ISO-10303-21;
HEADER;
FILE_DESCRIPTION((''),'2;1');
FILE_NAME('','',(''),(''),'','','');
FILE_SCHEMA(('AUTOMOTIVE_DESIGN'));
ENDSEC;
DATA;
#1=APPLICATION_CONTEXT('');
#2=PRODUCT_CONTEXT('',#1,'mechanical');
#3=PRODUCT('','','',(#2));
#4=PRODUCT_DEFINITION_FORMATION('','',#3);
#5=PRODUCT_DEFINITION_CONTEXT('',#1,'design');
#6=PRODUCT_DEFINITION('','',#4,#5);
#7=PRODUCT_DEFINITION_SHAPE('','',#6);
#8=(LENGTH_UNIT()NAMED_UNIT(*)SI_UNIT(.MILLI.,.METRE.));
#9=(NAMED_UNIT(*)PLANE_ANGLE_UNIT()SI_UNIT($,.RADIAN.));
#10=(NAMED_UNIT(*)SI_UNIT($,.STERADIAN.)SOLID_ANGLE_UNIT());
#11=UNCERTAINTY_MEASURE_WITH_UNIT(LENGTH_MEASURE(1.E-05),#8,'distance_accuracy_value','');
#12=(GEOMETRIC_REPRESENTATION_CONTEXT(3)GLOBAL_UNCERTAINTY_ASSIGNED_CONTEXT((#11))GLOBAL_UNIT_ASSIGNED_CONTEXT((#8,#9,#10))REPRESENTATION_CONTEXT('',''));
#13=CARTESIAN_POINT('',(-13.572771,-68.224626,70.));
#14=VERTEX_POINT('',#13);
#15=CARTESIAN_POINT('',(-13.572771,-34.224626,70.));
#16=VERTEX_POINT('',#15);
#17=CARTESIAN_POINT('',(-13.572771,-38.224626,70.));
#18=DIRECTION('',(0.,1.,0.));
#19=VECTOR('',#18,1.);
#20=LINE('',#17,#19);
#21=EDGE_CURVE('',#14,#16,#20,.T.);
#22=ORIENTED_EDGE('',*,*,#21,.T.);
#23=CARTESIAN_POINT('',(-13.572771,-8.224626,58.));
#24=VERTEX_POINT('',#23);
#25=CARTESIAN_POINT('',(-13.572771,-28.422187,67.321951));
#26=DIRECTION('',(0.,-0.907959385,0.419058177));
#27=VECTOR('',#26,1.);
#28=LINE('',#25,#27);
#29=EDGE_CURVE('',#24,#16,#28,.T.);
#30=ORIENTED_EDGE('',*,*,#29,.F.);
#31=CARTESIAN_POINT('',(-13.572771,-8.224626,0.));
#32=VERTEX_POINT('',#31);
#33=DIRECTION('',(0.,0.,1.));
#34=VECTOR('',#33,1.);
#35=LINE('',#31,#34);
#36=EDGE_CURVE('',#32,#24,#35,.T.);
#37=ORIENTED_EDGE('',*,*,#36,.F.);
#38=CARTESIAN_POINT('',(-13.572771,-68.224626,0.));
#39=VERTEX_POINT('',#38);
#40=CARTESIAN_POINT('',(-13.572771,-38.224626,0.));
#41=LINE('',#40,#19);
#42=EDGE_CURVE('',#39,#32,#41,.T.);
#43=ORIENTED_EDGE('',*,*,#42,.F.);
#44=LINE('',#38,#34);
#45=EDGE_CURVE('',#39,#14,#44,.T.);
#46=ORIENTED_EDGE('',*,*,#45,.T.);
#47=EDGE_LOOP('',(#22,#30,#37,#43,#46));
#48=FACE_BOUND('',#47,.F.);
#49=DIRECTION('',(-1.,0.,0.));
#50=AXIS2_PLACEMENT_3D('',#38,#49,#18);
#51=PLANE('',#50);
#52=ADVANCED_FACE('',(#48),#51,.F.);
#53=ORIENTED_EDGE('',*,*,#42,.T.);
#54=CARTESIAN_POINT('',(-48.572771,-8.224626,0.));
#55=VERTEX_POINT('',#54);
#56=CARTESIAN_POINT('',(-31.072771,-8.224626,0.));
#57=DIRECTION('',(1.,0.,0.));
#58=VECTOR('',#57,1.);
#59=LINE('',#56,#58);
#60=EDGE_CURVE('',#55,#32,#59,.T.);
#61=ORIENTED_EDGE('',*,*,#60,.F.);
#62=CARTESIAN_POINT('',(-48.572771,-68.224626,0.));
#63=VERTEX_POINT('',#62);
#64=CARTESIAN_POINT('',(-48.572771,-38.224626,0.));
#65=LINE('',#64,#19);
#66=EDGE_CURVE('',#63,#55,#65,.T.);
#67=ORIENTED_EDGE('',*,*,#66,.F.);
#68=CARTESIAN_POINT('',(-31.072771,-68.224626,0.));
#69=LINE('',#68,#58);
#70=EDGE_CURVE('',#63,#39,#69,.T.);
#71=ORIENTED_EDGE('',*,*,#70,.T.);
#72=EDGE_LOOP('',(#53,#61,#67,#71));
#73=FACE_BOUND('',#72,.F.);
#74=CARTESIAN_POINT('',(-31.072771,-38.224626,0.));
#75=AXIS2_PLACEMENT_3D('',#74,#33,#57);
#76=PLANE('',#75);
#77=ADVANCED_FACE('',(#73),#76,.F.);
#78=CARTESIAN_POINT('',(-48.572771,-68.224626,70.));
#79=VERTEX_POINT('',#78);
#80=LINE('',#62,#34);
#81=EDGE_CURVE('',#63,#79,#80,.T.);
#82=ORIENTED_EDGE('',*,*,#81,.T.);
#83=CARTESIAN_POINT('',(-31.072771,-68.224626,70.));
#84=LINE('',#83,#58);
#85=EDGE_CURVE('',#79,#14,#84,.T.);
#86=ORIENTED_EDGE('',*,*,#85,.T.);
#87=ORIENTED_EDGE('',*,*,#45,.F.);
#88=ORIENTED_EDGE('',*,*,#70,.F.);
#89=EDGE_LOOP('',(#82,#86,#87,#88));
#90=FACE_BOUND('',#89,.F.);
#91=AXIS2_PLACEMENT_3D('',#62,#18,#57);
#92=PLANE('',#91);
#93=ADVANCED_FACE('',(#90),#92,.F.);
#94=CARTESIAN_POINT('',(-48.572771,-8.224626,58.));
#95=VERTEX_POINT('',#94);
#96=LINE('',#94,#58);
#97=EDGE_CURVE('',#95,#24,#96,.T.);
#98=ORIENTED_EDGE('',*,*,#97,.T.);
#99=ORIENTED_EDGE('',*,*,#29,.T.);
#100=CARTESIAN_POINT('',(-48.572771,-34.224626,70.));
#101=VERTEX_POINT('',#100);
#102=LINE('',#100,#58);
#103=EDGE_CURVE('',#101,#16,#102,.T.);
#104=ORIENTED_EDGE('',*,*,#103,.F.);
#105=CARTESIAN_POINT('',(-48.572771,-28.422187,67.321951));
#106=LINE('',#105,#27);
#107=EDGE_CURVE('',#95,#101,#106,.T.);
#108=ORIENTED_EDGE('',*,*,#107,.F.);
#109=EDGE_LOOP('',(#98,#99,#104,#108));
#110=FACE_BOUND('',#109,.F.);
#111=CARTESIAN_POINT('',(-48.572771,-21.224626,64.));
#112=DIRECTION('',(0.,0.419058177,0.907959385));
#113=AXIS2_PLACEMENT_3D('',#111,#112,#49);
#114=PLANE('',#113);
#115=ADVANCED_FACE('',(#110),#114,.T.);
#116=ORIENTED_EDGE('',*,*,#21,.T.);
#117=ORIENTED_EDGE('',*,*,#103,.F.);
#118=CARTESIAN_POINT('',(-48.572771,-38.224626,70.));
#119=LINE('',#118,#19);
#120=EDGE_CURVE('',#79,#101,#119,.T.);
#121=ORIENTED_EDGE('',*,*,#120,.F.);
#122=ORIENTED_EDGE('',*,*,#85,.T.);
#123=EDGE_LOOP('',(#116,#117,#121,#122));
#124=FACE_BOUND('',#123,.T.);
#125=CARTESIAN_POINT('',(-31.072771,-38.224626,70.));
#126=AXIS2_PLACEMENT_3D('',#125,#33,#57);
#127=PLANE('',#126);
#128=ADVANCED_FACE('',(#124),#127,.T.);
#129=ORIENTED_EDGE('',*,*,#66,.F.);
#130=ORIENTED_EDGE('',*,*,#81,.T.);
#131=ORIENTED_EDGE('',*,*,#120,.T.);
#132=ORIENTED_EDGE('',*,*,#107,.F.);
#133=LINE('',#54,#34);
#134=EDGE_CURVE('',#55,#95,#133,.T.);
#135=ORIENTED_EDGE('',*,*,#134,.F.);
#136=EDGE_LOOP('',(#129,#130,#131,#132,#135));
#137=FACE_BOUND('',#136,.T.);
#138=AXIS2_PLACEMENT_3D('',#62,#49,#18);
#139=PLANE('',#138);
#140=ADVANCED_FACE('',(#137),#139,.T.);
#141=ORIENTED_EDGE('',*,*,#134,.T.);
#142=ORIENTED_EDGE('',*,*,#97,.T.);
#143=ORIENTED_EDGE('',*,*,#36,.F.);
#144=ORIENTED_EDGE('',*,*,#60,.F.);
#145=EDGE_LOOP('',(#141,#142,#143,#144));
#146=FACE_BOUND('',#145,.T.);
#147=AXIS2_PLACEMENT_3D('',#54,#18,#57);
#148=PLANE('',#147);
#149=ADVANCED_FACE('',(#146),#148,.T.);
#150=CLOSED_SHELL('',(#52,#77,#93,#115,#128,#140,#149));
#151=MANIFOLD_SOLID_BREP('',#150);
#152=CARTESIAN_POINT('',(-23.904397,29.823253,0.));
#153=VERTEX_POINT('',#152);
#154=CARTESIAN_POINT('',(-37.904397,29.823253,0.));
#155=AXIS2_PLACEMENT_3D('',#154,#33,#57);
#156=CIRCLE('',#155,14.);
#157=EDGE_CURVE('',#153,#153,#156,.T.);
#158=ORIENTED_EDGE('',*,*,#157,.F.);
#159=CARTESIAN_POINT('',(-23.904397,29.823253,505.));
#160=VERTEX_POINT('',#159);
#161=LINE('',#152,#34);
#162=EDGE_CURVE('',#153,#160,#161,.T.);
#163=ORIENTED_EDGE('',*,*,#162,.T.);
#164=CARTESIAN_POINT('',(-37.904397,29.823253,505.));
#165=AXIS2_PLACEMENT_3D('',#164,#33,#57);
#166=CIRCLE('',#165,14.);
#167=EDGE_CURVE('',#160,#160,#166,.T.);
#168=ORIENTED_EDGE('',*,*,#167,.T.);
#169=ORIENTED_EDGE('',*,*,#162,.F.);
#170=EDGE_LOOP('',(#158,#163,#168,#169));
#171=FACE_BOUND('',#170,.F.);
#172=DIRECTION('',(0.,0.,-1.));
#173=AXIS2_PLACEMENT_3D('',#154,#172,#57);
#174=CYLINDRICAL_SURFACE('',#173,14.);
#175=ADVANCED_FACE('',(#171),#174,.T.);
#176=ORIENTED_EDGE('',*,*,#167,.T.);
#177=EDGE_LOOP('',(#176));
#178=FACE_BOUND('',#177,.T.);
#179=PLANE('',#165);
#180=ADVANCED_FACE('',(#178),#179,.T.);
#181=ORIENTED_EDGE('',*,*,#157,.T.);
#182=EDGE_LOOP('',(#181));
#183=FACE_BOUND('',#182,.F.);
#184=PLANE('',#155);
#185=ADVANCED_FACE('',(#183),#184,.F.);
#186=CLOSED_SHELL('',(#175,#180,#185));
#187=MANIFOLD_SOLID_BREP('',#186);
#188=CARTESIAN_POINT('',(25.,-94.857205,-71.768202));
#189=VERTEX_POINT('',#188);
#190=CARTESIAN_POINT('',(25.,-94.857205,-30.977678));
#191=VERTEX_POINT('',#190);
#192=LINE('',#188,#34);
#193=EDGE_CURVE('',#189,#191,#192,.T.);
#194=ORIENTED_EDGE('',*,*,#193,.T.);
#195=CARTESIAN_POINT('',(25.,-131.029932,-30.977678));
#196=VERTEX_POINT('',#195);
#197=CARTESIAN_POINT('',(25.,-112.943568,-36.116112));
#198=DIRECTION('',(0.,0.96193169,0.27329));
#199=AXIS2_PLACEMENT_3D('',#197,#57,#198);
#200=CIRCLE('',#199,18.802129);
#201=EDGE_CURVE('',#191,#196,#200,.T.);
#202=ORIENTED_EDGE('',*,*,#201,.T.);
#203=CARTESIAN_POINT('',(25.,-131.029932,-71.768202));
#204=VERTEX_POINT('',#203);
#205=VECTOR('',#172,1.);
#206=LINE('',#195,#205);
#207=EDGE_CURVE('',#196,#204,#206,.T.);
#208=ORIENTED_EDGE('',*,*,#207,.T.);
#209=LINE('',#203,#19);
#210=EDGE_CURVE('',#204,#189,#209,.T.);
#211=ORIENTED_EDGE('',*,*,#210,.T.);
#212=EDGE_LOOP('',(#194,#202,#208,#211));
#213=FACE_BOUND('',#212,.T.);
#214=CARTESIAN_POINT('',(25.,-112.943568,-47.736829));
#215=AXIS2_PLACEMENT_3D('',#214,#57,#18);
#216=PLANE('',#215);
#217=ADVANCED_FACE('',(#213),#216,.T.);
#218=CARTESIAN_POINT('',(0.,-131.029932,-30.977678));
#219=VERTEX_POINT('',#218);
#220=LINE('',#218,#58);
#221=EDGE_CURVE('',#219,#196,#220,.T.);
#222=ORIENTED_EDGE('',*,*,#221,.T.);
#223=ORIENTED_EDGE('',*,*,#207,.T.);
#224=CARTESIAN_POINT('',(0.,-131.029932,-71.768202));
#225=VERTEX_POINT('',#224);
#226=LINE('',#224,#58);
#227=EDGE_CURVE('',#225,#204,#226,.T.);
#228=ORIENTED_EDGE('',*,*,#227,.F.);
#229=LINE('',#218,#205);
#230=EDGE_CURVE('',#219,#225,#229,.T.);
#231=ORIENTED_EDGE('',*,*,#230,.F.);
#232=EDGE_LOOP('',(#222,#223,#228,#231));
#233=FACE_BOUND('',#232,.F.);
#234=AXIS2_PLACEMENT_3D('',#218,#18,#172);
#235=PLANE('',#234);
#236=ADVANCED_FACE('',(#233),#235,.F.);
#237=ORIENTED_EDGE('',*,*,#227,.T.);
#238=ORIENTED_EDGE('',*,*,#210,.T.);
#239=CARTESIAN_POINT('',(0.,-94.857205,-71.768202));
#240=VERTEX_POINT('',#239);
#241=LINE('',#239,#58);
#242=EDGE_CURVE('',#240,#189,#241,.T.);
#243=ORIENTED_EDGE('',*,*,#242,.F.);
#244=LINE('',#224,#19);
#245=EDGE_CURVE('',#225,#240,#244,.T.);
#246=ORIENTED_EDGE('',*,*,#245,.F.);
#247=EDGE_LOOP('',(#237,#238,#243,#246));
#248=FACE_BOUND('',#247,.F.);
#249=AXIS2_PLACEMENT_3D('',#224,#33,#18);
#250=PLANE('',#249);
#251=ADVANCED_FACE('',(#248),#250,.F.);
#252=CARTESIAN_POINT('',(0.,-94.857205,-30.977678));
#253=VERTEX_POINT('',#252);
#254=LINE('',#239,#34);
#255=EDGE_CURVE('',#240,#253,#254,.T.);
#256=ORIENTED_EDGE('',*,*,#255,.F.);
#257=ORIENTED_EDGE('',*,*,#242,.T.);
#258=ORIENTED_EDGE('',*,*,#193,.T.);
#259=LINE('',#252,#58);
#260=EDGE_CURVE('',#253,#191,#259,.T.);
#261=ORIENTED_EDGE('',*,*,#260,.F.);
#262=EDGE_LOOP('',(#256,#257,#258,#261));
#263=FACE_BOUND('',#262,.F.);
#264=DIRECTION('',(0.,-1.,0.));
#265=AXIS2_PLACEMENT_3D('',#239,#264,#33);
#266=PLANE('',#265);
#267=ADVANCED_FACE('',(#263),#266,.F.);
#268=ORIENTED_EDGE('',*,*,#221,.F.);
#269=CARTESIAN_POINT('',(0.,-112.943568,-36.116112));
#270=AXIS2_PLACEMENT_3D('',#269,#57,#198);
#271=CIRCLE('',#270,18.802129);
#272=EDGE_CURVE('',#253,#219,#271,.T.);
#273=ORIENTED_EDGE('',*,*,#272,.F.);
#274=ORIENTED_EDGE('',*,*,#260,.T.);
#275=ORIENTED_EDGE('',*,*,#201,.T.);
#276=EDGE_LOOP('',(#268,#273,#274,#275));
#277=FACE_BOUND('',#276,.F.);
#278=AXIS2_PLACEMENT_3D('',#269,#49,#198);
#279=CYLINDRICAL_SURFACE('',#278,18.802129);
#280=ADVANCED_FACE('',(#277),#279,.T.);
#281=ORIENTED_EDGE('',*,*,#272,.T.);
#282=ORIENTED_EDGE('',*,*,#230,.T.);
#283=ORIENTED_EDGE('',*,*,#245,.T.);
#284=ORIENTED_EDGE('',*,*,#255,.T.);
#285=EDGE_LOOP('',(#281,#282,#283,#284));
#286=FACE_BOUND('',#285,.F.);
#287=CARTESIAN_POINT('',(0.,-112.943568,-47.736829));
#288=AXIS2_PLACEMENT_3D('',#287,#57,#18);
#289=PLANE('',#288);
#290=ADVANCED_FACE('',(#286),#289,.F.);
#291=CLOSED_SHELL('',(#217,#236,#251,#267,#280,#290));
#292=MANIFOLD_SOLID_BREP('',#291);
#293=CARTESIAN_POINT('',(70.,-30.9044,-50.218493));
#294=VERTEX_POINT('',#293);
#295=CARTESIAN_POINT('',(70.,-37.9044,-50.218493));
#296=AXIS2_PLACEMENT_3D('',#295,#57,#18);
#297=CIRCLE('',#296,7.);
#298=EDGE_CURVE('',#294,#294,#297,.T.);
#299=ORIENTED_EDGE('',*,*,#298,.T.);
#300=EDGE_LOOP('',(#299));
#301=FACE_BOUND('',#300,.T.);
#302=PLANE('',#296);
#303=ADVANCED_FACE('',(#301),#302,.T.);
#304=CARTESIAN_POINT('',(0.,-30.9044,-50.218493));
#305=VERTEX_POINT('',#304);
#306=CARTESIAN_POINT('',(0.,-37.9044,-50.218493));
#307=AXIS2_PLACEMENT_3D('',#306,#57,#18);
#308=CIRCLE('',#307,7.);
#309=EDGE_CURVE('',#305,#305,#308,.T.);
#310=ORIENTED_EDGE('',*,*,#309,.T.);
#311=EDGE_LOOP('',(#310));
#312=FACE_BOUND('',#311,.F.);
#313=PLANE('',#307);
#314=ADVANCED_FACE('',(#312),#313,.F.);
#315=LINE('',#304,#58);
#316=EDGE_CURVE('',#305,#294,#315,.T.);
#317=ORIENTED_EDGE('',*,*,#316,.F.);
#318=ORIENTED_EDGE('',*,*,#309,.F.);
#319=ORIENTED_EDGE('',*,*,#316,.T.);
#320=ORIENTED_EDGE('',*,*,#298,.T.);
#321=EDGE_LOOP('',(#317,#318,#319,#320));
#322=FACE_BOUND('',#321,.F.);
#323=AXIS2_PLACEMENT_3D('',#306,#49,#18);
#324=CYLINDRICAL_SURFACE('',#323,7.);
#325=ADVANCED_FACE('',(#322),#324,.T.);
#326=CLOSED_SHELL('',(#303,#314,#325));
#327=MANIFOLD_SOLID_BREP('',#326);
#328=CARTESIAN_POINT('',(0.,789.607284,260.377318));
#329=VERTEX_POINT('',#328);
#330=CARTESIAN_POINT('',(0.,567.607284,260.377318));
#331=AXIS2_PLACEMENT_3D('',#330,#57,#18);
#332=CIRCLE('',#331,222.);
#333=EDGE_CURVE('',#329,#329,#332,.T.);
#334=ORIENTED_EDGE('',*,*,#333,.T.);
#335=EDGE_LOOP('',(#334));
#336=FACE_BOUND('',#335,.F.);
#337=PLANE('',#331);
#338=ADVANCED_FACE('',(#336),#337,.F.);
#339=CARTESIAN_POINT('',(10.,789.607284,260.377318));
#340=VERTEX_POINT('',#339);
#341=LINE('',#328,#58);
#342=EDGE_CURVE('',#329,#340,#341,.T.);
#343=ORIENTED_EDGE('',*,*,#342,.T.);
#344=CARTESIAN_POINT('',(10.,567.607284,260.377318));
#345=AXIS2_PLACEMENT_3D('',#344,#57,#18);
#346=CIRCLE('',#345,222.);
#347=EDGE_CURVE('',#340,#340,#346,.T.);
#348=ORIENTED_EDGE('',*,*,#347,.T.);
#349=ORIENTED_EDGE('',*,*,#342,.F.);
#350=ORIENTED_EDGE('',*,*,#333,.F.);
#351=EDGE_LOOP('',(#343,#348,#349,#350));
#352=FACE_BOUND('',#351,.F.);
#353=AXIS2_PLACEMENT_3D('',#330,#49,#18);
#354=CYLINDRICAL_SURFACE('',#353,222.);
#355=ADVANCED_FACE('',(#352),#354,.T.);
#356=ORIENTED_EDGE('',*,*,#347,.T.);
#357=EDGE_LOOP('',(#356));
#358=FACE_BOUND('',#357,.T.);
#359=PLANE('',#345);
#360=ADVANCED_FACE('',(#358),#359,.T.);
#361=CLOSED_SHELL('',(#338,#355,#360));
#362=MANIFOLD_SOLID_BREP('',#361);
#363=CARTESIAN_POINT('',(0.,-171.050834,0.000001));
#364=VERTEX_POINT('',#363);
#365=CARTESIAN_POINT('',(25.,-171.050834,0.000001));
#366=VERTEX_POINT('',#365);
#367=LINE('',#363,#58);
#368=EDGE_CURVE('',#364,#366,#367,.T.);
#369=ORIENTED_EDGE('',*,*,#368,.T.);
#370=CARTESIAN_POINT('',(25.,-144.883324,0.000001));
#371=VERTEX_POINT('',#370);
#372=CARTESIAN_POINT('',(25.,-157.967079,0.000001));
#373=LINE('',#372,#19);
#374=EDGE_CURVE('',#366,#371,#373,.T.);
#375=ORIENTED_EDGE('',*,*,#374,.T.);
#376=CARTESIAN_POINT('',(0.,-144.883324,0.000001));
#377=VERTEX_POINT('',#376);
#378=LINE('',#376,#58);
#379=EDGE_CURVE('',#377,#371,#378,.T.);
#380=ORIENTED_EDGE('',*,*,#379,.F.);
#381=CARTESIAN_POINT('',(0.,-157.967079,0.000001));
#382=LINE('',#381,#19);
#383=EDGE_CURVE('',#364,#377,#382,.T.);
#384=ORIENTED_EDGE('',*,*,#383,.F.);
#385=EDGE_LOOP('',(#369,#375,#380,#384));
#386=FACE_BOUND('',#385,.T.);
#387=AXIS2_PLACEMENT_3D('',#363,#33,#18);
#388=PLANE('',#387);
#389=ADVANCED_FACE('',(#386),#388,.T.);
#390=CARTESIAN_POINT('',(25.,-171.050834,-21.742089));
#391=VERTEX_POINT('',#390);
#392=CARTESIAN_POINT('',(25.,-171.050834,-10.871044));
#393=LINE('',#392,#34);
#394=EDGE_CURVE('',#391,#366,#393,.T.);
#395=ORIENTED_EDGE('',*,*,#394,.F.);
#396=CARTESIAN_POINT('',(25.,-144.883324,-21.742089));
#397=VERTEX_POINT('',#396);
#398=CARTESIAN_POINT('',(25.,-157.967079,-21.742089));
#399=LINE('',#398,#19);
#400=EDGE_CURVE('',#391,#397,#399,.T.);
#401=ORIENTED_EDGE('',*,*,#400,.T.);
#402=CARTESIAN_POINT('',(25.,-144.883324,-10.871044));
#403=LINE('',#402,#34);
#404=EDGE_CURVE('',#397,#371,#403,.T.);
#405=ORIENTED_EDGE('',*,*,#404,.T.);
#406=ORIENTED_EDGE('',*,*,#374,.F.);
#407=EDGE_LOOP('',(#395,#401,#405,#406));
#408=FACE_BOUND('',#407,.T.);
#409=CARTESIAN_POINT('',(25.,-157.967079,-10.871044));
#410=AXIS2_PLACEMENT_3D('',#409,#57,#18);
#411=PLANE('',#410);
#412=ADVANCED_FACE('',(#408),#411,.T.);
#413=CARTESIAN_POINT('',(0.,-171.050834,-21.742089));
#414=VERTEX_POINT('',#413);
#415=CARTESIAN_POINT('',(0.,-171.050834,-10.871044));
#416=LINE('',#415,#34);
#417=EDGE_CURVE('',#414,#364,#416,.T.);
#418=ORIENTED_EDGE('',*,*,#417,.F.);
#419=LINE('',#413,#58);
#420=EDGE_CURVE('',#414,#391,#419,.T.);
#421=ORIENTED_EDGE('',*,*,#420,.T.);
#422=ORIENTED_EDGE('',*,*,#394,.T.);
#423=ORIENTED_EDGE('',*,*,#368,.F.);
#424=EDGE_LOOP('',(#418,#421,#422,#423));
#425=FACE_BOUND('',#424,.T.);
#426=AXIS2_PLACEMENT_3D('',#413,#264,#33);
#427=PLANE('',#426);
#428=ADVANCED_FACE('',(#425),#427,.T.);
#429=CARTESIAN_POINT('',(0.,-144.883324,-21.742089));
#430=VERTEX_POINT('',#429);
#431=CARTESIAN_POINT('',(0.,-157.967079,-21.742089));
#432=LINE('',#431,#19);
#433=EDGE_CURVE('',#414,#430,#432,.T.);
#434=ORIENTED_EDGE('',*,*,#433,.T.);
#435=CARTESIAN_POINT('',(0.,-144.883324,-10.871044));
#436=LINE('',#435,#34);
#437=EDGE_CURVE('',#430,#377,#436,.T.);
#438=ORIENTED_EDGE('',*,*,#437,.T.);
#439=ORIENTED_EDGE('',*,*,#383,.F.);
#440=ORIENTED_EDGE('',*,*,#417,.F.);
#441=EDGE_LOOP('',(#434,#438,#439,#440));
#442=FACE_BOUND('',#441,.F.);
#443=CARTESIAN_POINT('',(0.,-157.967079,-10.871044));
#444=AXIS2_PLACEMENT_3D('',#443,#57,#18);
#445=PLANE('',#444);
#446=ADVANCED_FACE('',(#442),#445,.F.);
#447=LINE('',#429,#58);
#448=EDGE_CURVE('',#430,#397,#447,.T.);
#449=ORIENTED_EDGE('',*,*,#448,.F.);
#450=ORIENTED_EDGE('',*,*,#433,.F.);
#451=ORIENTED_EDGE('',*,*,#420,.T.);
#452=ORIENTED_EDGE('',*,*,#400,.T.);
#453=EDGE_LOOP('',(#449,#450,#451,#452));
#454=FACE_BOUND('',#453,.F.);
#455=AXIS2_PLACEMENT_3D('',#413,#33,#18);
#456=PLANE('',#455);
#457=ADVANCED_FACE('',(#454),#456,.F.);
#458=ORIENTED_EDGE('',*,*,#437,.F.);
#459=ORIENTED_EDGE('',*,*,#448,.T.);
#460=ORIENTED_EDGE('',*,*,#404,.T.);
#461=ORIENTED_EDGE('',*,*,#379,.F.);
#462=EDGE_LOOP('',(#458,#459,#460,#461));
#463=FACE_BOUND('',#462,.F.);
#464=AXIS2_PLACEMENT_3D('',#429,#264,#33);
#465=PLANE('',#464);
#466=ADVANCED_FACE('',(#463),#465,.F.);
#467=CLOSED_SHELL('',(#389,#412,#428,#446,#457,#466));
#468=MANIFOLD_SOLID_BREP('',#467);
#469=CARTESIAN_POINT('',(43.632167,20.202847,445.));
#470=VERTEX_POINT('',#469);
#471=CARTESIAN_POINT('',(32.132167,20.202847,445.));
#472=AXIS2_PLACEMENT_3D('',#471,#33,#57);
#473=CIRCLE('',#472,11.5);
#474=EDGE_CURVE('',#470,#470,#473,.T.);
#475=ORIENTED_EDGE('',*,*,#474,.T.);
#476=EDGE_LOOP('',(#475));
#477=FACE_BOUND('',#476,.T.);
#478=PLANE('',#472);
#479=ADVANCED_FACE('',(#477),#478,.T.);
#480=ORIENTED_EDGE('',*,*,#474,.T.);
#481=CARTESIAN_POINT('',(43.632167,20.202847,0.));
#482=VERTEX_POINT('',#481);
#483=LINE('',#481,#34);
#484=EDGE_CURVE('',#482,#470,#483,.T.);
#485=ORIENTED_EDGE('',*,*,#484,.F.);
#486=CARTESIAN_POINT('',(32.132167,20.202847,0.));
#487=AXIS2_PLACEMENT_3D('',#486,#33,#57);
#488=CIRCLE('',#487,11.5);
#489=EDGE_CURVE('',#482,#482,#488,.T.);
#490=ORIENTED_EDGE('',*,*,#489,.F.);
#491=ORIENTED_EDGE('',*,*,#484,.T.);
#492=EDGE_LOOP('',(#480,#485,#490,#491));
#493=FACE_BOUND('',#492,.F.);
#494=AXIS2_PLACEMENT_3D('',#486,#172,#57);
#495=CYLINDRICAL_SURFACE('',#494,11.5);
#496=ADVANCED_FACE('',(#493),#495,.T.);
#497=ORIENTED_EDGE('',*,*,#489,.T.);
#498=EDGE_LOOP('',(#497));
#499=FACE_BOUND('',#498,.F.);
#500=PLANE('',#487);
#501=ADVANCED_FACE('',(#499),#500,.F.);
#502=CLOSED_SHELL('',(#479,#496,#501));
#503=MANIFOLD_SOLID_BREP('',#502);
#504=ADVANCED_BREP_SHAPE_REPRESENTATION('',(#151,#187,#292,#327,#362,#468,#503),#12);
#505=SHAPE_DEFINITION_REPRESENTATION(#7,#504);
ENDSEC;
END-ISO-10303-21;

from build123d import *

# Parameters (mm, degrees)
F0_R      = 14
F1_DEPTH  = 505
F2_R      = 11.5
F3_DEPTH  = 445
F4_W      = 35
F4_H      = 60
F5_DEPTH  = 70
F6_SIZE2  = 26
F6_SIZE   = 12
F7_R      = 7
F8_DEPTH  = 70
F11_DEPTH = 25
F10_W     = 26.167509
F10_H     = 21.742089
F12_DEPTH = 25
F13_R     = 222
F14_DEPTH = 10


with BuildPart() as f1:
    # F0 (on Top) → F1 (new body)
    with BuildSketch(Plane.XY):
        with Locations((-37.904397, 29.823253)):
            Circle(F0_R)
    extrude(amount=F1_DEPTH)


with BuildPart() as f3:
    # F2 (on Top) → F3 (new body)
    with BuildSketch(Plane.XY):
        with Locations((32.132167, 20.202847)):
            Circle(F2_R)
    extrude(amount=F3_DEPTH)


with BuildPart() as f5:
    # F4 (on Top) → F5 (new body)
    with BuildSketch(Plane.XY):
        with Locations((-31.072771, -38.224626)):
            Rectangle(F4_W, F4_H)
    extrude(amount=F5_DEPTH)

    # F6
    f6_edges = [f5.edges().sort_by_distance(p)[0] for p in [
        (-31.072771, -8.224626, 70),
    ]]
    chamfer(f6_edges, length=F6_SIZE, length2=F6_SIZE2)


with BuildPart() as f8:
    # F7 (on Right) → F8 (new body)
    with BuildSketch(Plane.YZ):
        with Locations((-37.9044, -50.218493)):
            Circle(F7_R)
    extrude(amount=F8_DEPTH)


with BuildPart() as f11:
    # F9 (on Right) → F11 (new body)
    with BuildSketch(Plane.YZ):
        with BuildLine():
            Line((-131.029932, -30.977678), (-131.029932, -71.768202))
            Line((-131.029932, -71.768202), (-94.857205, -71.768202))
            Line((-94.857205, -71.768202), (-94.857205, -30.977678))
            ThreePointArc((-94.857205, -30.977678), (-112.943568, -17.313983), (-131.029932, -30.977678))
        make_face()
    extrude(amount=F11_DEPTH)


with BuildPart() as f12:
    # F10 (on Right) → F12 (new body)
    with BuildSketch(Plane.YZ):
        with Locations((-157.967079, -10.871044)):
            Rectangle(F10_W, F10_H)
    extrude(amount=F12_DEPTH)


with BuildPart() as f14:
    # F13 (on Right) → F14 (new body)
    with BuildSketch(Plane.YZ):
        with Locations((567.607284, 260.377318)):
            Circle(F13_R)
    extrude(amount=F14_DEPTH)


solid = Compound([f1.part, f3.part, f5.part, f8.part, f11.part, f12.part, f14.part])
